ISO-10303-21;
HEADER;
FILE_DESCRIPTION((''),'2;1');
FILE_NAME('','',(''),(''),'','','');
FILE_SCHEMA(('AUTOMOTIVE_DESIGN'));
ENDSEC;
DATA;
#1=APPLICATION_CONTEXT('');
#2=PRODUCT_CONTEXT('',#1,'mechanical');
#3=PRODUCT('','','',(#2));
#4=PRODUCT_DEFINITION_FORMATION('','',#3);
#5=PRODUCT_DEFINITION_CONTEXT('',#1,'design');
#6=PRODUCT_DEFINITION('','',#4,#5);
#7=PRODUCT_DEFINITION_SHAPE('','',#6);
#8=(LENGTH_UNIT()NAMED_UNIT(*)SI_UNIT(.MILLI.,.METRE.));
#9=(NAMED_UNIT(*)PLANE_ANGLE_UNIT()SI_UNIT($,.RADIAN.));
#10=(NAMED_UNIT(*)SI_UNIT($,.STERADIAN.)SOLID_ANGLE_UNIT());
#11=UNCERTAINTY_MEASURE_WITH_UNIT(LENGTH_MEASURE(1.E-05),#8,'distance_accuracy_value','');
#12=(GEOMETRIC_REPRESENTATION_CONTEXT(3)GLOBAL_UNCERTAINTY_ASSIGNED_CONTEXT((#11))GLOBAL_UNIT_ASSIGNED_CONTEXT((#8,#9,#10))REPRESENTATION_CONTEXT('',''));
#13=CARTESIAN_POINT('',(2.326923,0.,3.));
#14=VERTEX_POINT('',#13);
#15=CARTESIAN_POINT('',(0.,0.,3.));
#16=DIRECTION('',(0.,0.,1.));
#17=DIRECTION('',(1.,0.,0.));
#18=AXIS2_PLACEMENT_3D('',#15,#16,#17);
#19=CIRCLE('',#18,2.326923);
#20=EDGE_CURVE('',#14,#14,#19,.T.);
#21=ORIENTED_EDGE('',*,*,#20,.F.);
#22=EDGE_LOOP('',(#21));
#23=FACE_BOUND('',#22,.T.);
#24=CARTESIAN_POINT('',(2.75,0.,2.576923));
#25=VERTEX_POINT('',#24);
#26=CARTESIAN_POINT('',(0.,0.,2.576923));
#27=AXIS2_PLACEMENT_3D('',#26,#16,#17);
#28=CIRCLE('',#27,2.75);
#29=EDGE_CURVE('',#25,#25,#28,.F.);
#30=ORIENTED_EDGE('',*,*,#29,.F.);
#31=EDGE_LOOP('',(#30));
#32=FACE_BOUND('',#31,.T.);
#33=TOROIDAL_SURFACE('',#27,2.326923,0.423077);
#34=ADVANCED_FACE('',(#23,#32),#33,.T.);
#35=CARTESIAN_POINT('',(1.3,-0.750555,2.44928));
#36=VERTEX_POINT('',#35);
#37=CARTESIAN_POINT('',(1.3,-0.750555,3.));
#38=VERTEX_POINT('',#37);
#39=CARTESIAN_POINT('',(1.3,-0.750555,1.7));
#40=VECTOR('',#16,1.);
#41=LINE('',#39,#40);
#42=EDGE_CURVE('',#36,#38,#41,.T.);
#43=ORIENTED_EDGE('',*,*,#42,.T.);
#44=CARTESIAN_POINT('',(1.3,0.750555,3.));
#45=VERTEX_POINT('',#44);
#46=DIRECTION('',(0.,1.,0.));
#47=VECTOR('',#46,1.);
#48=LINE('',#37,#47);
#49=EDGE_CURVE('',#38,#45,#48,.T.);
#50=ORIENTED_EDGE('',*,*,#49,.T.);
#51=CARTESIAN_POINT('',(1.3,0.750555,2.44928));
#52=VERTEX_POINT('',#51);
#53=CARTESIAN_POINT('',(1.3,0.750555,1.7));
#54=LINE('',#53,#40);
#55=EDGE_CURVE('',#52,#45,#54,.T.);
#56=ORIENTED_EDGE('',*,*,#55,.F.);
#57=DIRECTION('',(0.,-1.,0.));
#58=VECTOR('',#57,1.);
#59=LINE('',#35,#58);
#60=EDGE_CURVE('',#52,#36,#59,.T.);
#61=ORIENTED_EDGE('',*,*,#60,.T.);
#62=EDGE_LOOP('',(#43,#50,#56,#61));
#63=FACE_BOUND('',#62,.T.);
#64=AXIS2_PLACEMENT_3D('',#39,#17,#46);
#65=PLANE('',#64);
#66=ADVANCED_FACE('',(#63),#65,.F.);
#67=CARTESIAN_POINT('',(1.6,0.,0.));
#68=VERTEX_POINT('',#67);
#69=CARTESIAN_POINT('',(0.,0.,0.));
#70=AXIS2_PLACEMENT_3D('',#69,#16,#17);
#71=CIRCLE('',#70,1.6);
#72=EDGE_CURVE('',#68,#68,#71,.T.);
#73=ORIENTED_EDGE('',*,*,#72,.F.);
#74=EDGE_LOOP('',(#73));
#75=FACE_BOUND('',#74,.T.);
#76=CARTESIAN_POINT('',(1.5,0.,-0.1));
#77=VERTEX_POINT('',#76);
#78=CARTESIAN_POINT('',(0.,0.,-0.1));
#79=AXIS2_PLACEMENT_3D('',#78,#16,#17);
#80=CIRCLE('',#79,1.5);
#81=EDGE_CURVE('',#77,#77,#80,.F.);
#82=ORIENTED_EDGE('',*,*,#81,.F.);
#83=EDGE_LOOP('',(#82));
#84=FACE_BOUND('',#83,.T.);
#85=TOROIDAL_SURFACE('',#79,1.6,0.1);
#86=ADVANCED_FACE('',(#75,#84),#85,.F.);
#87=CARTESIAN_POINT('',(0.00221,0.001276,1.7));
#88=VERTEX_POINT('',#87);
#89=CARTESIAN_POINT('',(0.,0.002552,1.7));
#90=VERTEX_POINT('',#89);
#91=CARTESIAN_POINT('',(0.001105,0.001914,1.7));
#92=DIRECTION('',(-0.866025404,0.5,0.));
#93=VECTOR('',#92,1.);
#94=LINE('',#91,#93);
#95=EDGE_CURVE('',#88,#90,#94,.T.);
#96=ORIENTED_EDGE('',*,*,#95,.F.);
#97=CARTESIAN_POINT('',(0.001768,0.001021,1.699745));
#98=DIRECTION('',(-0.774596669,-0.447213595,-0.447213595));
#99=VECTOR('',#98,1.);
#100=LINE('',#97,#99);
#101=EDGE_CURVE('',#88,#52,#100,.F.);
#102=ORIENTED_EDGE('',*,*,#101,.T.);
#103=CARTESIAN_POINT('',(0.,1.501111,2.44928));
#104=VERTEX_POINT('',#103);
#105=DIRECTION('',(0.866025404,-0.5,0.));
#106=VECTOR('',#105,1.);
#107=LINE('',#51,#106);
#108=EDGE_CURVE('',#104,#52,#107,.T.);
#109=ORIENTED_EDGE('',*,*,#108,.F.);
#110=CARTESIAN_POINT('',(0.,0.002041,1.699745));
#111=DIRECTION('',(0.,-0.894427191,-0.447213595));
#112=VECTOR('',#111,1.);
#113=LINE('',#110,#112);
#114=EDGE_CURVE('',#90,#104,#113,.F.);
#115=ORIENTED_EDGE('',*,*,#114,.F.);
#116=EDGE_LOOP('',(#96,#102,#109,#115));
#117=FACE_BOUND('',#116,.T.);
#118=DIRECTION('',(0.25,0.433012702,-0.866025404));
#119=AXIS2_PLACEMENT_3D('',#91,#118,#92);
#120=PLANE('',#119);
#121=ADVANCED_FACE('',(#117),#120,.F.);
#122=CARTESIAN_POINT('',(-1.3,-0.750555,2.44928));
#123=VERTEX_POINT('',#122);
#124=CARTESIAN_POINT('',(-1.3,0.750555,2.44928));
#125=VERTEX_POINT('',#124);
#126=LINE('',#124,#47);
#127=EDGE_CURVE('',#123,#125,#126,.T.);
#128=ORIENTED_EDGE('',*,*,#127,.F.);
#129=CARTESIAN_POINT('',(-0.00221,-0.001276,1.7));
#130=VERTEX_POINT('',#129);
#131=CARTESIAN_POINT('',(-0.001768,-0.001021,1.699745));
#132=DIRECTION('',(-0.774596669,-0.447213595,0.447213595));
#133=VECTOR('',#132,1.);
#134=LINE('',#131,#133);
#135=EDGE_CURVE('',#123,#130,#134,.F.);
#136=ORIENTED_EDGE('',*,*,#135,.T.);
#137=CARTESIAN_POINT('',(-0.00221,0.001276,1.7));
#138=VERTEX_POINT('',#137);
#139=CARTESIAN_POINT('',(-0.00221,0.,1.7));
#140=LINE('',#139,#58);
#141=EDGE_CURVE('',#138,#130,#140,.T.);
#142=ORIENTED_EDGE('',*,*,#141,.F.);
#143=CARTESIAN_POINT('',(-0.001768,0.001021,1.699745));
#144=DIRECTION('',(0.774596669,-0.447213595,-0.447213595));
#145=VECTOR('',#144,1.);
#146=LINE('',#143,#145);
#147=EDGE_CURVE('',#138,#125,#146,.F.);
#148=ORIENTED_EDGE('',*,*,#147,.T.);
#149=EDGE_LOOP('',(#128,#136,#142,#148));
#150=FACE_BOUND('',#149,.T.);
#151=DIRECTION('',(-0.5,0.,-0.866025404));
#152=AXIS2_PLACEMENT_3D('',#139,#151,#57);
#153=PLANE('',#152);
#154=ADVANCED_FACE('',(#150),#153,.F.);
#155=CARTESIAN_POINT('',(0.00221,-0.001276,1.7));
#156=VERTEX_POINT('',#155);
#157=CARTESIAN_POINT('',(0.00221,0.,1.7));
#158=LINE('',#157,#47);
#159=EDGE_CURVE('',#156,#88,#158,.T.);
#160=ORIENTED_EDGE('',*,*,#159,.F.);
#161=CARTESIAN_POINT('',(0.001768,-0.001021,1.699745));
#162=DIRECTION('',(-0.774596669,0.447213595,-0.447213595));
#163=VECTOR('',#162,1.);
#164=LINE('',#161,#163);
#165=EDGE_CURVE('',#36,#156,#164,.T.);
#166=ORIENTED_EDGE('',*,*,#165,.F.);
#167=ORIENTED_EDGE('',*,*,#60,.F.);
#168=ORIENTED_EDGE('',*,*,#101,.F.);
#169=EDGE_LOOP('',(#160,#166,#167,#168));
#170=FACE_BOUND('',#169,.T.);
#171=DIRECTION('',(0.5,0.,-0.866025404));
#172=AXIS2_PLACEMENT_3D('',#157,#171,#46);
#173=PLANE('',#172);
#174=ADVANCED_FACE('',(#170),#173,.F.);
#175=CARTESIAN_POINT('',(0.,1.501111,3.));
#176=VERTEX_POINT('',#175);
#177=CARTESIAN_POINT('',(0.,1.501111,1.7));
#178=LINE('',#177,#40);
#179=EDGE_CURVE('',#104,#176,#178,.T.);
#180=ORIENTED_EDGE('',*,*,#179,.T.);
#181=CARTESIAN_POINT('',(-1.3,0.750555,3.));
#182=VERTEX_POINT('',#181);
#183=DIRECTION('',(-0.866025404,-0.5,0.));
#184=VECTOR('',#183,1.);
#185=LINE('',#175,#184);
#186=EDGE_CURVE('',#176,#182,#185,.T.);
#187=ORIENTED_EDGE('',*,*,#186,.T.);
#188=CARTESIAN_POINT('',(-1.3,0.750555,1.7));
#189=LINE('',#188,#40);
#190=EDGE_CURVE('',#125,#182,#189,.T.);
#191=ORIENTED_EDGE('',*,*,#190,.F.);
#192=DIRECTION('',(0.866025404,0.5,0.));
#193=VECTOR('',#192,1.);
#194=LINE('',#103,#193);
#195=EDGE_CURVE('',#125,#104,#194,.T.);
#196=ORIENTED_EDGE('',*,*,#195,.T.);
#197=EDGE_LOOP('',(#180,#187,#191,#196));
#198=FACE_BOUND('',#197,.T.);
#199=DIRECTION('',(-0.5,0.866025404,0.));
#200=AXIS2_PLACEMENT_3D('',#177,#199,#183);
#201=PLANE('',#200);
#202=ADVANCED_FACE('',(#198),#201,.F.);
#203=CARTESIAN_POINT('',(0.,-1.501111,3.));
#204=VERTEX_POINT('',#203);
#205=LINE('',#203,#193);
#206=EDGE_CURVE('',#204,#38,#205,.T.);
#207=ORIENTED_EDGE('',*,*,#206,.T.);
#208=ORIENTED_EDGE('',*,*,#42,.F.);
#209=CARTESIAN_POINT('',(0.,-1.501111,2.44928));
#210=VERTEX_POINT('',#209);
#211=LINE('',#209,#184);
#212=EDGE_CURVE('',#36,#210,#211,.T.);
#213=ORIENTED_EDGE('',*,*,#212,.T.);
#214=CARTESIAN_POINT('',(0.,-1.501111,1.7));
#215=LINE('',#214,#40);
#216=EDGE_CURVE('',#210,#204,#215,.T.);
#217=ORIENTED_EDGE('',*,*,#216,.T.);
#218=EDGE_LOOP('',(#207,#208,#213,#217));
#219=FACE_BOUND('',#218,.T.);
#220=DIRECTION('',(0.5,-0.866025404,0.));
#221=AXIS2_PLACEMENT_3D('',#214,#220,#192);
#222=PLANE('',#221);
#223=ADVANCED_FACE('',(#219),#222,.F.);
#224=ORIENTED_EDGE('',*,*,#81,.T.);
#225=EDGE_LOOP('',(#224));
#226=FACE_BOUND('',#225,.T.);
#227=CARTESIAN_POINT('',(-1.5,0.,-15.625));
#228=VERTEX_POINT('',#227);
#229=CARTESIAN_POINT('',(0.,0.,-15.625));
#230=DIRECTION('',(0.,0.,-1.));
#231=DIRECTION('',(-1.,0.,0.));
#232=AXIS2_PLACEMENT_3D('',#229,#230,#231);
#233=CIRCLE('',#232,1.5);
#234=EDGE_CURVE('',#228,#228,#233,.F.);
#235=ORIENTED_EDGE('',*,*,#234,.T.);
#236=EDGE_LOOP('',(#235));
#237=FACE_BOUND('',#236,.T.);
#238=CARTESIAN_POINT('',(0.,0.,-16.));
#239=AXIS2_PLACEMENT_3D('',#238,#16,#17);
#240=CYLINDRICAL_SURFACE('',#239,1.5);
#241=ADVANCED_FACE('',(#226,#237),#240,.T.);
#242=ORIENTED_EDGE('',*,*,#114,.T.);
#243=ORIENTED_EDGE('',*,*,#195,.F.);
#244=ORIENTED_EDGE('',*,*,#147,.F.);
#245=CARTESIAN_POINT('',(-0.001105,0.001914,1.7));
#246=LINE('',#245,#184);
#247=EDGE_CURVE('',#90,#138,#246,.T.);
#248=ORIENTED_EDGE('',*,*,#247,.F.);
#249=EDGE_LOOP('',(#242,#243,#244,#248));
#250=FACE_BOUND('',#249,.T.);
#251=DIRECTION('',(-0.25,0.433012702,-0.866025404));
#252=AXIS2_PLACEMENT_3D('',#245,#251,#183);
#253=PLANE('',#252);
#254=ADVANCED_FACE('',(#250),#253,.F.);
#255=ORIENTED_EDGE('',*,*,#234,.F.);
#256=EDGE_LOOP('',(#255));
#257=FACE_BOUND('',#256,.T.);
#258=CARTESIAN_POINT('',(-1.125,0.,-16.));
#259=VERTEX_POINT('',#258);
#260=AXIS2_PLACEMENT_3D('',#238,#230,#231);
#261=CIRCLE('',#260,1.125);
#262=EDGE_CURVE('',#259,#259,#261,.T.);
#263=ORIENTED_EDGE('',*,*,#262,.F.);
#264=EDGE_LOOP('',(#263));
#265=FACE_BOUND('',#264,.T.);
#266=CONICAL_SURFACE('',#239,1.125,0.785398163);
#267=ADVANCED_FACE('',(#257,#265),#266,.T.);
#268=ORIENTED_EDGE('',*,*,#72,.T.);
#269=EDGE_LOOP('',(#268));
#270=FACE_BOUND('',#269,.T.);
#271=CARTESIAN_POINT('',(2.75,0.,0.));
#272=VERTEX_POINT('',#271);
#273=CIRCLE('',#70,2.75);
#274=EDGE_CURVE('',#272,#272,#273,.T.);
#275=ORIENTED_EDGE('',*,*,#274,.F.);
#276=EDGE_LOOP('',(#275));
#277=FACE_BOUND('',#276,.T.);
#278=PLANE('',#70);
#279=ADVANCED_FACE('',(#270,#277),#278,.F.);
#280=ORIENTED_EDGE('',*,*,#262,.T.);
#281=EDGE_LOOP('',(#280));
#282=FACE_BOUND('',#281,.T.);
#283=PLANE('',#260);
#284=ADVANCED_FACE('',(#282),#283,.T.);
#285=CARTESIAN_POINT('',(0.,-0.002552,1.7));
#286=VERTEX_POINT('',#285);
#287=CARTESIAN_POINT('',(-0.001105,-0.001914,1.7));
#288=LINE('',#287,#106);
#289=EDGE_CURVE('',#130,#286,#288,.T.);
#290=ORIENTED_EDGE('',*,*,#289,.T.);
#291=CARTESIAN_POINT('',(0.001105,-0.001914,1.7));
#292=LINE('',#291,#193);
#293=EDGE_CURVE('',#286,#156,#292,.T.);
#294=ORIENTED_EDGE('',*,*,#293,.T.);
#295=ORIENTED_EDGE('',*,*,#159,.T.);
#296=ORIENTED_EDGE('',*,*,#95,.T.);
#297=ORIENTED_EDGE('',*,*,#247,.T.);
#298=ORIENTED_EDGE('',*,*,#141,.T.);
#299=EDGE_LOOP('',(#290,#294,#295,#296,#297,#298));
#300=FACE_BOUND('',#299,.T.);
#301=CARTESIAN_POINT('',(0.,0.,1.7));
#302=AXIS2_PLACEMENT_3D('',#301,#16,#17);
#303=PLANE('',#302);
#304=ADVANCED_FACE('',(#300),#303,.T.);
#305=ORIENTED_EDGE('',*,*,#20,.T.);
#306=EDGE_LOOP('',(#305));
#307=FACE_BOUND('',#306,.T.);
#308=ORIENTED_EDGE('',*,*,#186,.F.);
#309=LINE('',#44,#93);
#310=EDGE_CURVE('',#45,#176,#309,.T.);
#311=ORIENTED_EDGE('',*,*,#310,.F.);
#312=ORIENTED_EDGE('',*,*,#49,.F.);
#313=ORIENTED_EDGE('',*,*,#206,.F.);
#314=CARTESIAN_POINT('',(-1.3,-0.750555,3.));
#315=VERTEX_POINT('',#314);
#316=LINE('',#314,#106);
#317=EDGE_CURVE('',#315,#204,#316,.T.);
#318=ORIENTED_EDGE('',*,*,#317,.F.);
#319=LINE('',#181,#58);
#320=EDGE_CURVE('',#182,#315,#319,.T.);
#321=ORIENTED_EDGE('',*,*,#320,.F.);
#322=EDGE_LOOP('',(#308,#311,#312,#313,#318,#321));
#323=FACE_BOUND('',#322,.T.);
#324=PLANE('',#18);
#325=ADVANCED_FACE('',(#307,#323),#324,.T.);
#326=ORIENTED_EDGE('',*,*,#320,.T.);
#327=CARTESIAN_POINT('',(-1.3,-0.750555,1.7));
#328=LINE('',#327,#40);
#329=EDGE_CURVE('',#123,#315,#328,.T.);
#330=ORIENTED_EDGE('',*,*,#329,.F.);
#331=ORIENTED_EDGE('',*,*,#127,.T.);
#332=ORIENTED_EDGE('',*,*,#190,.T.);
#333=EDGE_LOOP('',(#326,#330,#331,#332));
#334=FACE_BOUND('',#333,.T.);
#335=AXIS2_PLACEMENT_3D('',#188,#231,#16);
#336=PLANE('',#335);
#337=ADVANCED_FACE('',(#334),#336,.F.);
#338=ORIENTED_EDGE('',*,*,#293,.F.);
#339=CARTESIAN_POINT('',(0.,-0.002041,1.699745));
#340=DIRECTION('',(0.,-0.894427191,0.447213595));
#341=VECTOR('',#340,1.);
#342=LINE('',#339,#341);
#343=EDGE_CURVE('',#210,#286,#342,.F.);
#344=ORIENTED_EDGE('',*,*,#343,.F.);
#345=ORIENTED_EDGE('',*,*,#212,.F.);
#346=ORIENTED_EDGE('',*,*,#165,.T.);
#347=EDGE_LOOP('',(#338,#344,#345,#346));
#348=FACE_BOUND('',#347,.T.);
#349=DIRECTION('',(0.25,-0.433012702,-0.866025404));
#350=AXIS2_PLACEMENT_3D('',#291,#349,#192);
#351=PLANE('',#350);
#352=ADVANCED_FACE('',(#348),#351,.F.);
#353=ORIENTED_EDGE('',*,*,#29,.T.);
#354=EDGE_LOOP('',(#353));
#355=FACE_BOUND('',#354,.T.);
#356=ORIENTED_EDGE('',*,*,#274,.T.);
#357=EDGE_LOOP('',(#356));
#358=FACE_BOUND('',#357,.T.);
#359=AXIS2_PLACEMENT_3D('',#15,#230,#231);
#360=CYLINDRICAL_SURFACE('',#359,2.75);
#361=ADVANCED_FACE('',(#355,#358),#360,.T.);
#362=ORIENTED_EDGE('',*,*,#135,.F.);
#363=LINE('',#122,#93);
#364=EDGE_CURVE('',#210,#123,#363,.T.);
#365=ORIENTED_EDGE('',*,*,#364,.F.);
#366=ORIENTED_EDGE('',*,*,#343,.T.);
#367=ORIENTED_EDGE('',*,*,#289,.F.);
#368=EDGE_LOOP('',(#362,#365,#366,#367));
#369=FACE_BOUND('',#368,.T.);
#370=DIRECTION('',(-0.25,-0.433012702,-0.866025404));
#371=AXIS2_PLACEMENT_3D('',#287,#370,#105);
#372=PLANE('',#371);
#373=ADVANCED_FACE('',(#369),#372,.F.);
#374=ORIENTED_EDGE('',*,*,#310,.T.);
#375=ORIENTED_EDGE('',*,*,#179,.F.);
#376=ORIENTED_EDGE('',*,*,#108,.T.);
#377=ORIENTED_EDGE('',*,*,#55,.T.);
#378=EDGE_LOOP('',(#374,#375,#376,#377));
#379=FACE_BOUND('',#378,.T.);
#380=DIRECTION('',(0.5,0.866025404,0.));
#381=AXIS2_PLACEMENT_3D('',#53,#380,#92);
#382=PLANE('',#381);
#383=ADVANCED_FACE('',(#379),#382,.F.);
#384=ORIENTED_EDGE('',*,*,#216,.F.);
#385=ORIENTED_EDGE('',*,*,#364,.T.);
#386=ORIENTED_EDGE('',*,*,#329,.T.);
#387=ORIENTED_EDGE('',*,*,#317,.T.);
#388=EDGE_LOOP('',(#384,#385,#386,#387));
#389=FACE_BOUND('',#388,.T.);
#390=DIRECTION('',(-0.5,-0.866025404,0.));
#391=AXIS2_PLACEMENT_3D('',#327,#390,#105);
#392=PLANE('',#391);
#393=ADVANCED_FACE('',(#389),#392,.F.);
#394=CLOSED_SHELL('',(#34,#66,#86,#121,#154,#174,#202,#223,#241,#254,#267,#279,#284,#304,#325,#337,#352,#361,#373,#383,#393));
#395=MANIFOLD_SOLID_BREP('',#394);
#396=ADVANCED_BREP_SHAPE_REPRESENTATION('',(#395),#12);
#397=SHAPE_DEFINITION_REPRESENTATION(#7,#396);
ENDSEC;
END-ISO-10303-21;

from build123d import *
from OCP.BRepFilletAPI import BRepFilletAPI_MakeChamfer

# Parameters (mm, degrees)
SKETCH_1_R          = 2.75
EXTRUDE_1_DEPTH     = 3
CUT_EXTRUDE_1_DEPTH = 1.3
SKETCH_3_R          = 1.5
EXTRUDE_2_DEPTH     = 16
CHAMFER_1_SIZE      = 0.375
FILLET_1_R          = 0.423076923
CHAMFER_2_SIZE      = 0.749279539
CHAMFER_2_SIZE2     = 1.29779023
FILLET_2_R          = 0.1


with BuildPart() as part:
    # 草图1 → 凸台-拉伸1 (new body)
    with BuildSketch(Plane.XY):
        Circle(SKETCH_1_R)
    extrude(amount=EXTRUDE_1_DEPTH)

    # 草图2 → 切除-拉伸1 (cut)
    with BuildSketch(Plane.XY.offset(3)):
        Polygon((1.3, 0.75055535), (0, 1.5011107), (-1.3, 0.75055535), (-1.3, -0.75055535), (0, -1.5011107), (1.3, -0.75055535), align=None)
    extrude(amount=-CUT_EXTRUDE_1_DEPTH, mode=Mode.SUBTRACT)

    # 草图3 → 凸台-拉伸2 (add)
    with BuildSketch(Plane(origin=(0, 0, 0), x_dir=(-1, 0, 0), z_dir=(0, 0, -1))):
        Circle(SKETCH_3_R)
    extrude(amount=EXTRUDE_2_DEPTH)

    # 倒角1
    chamfer_1_edges = [part.edges().sort_by_distance(p)[0] for p in [
        (1.5, 0, -16),
    ]]
    chamfer(chamfer_1_edges, length=CHAMFER_1_SIZE)

    # 圆角1
    fillet_1_edges = [part.edges().sort_by_distance(p)[0] for p in [
        (-2.75, 0, 3),
    ]]
    fillet(fillet_1_edges, radius=FILLET_1_R)

    # 倒角2: one chamfer whose edges measure the first distance from different faces: ONE call of the kernel's chamfer builder (chamfer() names one face for all edges)
    chamfer_2_edges_1 = [part.edges().sort_by_distance(p)[0] for p in [
        (-1.3, 0, 1.7),
    ]]
    chamfer_2_side_1 = [part.faces().sort_by_distance(p)[0] for p in [
        (-1.3, 0, 2.35),
    ]]
    chamfer_2_edges_2 = [part.edges().sort_by_distance(p)[0] for p in [
        (-0.65, 1.125833025, 1.7),
    ]]
    chamfer_2_side_2 = [part.faces().sort_by_distance(p)[0] for p in [
        (-0.65, 1.125833025, 2.35),
    ]]
    chamfer_2_edges_3 = [part.edges().sort_by_distance(p)[0] for p in [
        (0.65, 1.125833025, 1.7),
    ]]
    chamfer_2_side_3 = [part.faces().sort_by_distance(p)[0] for p in [
        (0.65, 1.125833025, 2.35),
    ]]
    chamfer_2_edges_4 = [part.edges().sort_by_distance(p)[0] for p in [
        (1.3, 0, 1.7),
    ]]
    chamfer_2_side_4 = [part.faces().sort_by_distance(p)[0] for p in [
        (1.3, 0, 2.35),
    ]]
    chamfer_2_edges_5 = [part.edges().sort_by_distance(p)[0] for p in [
        (-0.65, -1.125833025, 1.7),
    ]]
    chamfer_2_side_5 = [part.faces().sort_by_distance(p)[0] for p in [
        (-0.65, -1.125833025, 2.35),
    ]]
    chamfer_2_edges_6 = [part.edges().sort_by_distance(p)[0] for p in [
        (0.65, -1.125833025, 1.7),
    ]]
    chamfer_2_side_6 = [part.faces().sort_by_distance(p)[0] for p in [
        (0.65, -1.125833025, 2.35),
    ]]
    chamfer_2 = BRepFilletAPI_MakeChamfer(part.part.solid().wrapped)
    for e in chamfer_2_edges_1:
        chamfer_2.Add(CHAMFER_2_SIZE, CHAMFER_2_SIZE2, e.wrapped, chamfer_2_side_1[0].wrapped)  # the first distance lies on this face
    for e in chamfer_2_edges_2:
        chamfer_2.Add(CHAMFER_2_SIZE, CHAMFER_2_SIZE2, e.wrapped, chamfer_2_side_2[0].wrapped)  # the first distance lies on this face
    for e in chamfer_2_edges_3:
        chamfer_2.Add(CHAMFER_2_SIZE, CHAMFER_2_SIZE2, e.wrapped, chamfer_2_side_3[0].wrapped)  # the first distance lies on this face
    for e in chamfer_2_edges_4:
        chamfer_2.Add(CHAMFER_2_SIZE, CHAMFER_2_SIZE2, e.wrapped, chamfer_2_side_4[0].wrapped)  # the first distance lies on this face
    for e in chamfer_2_edges_5:
        chamfer_2.Add(CHAMFER_2_SIZE, CHAMFER_2_SIZE2, e.wrapped, chamfer_2_side_5[0].wrapped)  # the first distance lies on this face
    for e in chamfer_2_edges_6:
        chamfer_2.Add(CHAMFER_2_SIZE, CHAMFER_2_SIZE2, e.wrapped, chamfer_2_side_6[0].wrapped)  # the first distance lies on this face
    add(Compound.cast(chamfer_2.Shape()), mode=Mode.REPLACE)

    # 圆角2
    fillet_2_edges = [part.edges().sort_by_distance(p)[0] for p in [
        (1.5, 0, 0),
    ]]
    fillet(fillet_2_edges, radius=FILLET_2_R)


solid = part.part
